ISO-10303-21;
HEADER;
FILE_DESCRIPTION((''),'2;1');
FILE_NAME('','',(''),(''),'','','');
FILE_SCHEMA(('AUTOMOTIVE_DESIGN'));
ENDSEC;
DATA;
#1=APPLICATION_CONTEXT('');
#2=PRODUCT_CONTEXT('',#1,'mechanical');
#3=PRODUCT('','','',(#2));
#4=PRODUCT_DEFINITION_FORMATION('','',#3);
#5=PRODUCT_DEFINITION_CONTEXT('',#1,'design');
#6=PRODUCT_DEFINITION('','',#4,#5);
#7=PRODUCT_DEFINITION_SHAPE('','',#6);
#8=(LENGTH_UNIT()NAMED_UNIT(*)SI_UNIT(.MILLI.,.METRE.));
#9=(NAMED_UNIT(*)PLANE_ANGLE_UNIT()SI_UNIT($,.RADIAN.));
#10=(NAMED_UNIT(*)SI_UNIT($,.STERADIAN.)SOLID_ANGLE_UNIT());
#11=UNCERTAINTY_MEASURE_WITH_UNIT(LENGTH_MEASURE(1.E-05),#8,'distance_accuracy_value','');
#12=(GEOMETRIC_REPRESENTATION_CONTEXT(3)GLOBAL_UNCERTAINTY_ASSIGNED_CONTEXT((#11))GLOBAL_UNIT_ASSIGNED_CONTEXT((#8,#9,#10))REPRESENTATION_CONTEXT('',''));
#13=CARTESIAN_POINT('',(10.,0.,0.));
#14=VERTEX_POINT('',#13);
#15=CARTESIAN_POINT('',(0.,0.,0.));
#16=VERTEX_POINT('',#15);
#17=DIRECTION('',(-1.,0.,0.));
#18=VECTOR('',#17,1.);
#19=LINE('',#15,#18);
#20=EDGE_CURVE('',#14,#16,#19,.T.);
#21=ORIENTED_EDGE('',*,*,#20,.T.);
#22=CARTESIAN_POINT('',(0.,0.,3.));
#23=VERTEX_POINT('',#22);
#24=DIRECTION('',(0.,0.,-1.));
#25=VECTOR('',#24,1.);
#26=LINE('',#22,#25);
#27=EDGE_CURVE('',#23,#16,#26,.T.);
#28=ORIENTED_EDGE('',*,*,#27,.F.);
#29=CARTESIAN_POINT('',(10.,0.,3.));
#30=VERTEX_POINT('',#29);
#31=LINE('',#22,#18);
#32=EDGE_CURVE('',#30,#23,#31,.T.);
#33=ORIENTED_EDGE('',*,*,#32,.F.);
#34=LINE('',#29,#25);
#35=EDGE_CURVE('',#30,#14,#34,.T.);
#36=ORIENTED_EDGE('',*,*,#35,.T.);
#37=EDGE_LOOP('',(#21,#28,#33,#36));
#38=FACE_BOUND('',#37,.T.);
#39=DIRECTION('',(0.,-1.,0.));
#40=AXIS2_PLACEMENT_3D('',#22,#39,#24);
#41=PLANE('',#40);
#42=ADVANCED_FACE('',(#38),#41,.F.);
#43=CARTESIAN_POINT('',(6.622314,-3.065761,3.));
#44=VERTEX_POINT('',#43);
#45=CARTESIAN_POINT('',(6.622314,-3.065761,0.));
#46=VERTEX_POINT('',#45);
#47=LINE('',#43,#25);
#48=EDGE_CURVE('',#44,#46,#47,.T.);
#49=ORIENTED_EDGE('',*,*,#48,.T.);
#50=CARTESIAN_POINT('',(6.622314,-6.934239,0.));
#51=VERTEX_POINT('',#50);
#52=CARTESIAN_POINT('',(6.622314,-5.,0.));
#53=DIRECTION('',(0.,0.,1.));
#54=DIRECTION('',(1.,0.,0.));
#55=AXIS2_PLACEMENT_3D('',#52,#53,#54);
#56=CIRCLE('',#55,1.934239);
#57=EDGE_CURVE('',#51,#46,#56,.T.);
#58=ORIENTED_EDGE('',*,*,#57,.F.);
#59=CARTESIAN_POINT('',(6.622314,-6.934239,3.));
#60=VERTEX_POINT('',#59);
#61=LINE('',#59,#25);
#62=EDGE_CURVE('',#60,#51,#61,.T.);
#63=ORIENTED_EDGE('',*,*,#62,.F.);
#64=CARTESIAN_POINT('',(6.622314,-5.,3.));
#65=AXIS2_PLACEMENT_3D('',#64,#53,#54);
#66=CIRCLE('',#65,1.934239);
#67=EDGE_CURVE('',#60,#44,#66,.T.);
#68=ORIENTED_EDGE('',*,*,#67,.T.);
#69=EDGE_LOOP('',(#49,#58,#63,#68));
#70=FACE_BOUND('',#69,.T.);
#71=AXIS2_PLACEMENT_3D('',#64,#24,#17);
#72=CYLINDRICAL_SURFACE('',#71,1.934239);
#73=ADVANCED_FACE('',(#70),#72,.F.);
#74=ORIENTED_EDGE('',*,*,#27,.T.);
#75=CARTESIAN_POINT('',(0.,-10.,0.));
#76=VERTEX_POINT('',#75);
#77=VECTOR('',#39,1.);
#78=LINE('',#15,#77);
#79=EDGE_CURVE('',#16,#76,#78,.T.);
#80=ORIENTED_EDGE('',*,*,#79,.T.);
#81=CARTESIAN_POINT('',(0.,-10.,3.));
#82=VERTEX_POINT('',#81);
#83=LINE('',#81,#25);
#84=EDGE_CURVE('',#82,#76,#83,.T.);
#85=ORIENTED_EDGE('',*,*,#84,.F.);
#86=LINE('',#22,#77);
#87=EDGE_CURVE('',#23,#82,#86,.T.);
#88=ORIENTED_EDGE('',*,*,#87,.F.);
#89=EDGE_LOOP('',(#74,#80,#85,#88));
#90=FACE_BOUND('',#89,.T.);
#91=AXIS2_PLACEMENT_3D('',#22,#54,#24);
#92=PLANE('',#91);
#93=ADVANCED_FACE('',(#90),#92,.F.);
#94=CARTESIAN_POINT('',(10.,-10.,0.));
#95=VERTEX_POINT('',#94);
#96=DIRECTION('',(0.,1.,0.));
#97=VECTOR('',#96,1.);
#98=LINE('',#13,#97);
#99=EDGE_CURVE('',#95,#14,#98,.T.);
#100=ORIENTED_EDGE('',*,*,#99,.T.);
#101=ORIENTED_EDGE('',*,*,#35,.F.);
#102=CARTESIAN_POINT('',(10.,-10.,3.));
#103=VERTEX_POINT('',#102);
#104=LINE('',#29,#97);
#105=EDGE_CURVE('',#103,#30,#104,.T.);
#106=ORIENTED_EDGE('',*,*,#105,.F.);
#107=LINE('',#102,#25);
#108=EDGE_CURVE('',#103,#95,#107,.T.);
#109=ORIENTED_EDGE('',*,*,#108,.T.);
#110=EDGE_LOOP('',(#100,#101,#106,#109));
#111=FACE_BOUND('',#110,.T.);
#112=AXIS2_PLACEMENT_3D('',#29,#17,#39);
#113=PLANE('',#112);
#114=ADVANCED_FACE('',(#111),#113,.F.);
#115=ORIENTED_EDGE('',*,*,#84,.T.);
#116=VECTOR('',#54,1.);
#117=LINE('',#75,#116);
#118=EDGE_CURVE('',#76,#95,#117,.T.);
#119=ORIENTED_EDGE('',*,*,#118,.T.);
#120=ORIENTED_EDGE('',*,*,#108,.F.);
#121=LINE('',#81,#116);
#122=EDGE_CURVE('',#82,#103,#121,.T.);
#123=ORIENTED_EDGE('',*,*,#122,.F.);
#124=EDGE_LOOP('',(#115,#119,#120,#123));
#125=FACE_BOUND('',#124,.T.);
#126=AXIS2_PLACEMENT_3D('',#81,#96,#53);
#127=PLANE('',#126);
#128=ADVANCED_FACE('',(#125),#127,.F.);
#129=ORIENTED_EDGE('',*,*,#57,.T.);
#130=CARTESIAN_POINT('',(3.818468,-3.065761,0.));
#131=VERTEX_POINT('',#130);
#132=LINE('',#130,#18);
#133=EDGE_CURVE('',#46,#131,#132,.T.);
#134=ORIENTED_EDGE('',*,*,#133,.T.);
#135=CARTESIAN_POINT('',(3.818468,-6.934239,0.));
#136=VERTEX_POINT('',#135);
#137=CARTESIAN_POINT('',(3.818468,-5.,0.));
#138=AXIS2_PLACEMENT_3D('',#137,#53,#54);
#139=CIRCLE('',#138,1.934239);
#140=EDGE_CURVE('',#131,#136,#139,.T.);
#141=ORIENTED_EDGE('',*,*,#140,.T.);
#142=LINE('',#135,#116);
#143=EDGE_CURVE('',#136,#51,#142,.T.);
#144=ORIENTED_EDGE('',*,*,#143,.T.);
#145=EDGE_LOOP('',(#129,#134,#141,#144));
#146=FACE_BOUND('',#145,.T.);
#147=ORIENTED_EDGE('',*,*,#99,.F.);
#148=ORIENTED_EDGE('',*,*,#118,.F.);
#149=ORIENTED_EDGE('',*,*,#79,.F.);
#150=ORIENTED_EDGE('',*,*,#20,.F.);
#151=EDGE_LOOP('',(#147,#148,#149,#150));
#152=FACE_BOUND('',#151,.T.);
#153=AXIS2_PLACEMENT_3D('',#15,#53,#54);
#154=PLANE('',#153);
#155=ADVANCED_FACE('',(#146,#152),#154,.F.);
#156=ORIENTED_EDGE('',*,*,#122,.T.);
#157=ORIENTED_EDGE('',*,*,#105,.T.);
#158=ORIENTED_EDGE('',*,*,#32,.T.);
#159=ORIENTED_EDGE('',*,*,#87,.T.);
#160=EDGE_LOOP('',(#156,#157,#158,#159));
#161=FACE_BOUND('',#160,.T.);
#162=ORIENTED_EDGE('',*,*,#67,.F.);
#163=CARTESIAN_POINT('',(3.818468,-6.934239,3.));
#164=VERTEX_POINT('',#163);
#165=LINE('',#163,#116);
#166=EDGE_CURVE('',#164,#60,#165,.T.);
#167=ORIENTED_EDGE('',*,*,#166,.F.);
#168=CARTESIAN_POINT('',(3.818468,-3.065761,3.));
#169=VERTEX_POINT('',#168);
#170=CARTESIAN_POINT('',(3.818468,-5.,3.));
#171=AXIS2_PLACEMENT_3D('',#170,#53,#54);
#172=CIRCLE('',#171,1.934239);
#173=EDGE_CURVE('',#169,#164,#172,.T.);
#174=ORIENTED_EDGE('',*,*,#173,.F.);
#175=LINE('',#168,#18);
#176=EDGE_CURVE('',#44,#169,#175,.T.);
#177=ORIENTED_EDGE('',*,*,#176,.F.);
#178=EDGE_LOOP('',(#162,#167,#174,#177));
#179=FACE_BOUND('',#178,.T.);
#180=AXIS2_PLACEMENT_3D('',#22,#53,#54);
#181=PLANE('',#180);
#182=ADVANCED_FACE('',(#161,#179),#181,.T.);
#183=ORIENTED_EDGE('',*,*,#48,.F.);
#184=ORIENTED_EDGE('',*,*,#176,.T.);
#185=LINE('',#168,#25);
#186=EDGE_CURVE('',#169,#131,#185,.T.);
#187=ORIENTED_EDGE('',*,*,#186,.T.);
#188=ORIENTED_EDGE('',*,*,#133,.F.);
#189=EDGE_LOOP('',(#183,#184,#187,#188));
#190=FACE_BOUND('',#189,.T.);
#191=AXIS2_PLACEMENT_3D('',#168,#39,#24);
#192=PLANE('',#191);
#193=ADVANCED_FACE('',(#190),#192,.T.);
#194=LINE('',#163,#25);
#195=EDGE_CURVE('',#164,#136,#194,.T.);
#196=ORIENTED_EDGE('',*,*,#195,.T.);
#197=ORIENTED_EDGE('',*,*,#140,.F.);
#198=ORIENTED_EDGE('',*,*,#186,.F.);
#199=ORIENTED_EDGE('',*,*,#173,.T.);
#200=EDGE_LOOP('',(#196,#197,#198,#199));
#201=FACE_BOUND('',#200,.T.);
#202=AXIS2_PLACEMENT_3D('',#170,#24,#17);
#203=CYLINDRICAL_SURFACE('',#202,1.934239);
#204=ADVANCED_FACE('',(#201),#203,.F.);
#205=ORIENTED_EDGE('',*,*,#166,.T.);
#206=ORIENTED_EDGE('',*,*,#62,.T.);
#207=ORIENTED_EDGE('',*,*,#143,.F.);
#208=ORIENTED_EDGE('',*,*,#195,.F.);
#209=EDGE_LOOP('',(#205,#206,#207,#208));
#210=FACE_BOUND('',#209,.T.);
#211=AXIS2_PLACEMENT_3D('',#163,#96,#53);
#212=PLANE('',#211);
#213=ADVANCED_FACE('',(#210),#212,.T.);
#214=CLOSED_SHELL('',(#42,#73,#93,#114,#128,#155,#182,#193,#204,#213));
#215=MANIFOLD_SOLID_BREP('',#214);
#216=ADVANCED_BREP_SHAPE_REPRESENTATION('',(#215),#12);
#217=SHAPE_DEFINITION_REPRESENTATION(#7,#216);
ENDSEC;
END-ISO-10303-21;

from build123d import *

# Parameters (mm, degrees)
SKETCH_1_W      = 10
SKETCH_1_H      = 10
EXTRUDE_1_DEPTH = 3


with BuildPart() as part:
    # 草图1 → 凸台-拉伸1 (new body)
    with BuildSketch(Plane.XY):
        with Locations((5, -5)):
            Rectangle(SKETCH_1_W, SKETCH_1_H)
        with BuildLine():
            Line((3.81846847, -3.065761471), (6.622313707, -3.065761471))
            ThreePointArc((6.622313707, -3.065761471), (8.556552237, -5), (6.622313707, -6.934238529))
            Line((6.622313707, -6.934238529), (3.81846847, -6.934238529))
            ThreePointArc((3.81846847, -6.934238529), (1.884229941, -5), (3.81846847, -3.065761471))
        make_face(mode=Mode.SUBTRACT)
    extrude(amount=EXTRUDE_1_DEPTH)


solid = part.part
